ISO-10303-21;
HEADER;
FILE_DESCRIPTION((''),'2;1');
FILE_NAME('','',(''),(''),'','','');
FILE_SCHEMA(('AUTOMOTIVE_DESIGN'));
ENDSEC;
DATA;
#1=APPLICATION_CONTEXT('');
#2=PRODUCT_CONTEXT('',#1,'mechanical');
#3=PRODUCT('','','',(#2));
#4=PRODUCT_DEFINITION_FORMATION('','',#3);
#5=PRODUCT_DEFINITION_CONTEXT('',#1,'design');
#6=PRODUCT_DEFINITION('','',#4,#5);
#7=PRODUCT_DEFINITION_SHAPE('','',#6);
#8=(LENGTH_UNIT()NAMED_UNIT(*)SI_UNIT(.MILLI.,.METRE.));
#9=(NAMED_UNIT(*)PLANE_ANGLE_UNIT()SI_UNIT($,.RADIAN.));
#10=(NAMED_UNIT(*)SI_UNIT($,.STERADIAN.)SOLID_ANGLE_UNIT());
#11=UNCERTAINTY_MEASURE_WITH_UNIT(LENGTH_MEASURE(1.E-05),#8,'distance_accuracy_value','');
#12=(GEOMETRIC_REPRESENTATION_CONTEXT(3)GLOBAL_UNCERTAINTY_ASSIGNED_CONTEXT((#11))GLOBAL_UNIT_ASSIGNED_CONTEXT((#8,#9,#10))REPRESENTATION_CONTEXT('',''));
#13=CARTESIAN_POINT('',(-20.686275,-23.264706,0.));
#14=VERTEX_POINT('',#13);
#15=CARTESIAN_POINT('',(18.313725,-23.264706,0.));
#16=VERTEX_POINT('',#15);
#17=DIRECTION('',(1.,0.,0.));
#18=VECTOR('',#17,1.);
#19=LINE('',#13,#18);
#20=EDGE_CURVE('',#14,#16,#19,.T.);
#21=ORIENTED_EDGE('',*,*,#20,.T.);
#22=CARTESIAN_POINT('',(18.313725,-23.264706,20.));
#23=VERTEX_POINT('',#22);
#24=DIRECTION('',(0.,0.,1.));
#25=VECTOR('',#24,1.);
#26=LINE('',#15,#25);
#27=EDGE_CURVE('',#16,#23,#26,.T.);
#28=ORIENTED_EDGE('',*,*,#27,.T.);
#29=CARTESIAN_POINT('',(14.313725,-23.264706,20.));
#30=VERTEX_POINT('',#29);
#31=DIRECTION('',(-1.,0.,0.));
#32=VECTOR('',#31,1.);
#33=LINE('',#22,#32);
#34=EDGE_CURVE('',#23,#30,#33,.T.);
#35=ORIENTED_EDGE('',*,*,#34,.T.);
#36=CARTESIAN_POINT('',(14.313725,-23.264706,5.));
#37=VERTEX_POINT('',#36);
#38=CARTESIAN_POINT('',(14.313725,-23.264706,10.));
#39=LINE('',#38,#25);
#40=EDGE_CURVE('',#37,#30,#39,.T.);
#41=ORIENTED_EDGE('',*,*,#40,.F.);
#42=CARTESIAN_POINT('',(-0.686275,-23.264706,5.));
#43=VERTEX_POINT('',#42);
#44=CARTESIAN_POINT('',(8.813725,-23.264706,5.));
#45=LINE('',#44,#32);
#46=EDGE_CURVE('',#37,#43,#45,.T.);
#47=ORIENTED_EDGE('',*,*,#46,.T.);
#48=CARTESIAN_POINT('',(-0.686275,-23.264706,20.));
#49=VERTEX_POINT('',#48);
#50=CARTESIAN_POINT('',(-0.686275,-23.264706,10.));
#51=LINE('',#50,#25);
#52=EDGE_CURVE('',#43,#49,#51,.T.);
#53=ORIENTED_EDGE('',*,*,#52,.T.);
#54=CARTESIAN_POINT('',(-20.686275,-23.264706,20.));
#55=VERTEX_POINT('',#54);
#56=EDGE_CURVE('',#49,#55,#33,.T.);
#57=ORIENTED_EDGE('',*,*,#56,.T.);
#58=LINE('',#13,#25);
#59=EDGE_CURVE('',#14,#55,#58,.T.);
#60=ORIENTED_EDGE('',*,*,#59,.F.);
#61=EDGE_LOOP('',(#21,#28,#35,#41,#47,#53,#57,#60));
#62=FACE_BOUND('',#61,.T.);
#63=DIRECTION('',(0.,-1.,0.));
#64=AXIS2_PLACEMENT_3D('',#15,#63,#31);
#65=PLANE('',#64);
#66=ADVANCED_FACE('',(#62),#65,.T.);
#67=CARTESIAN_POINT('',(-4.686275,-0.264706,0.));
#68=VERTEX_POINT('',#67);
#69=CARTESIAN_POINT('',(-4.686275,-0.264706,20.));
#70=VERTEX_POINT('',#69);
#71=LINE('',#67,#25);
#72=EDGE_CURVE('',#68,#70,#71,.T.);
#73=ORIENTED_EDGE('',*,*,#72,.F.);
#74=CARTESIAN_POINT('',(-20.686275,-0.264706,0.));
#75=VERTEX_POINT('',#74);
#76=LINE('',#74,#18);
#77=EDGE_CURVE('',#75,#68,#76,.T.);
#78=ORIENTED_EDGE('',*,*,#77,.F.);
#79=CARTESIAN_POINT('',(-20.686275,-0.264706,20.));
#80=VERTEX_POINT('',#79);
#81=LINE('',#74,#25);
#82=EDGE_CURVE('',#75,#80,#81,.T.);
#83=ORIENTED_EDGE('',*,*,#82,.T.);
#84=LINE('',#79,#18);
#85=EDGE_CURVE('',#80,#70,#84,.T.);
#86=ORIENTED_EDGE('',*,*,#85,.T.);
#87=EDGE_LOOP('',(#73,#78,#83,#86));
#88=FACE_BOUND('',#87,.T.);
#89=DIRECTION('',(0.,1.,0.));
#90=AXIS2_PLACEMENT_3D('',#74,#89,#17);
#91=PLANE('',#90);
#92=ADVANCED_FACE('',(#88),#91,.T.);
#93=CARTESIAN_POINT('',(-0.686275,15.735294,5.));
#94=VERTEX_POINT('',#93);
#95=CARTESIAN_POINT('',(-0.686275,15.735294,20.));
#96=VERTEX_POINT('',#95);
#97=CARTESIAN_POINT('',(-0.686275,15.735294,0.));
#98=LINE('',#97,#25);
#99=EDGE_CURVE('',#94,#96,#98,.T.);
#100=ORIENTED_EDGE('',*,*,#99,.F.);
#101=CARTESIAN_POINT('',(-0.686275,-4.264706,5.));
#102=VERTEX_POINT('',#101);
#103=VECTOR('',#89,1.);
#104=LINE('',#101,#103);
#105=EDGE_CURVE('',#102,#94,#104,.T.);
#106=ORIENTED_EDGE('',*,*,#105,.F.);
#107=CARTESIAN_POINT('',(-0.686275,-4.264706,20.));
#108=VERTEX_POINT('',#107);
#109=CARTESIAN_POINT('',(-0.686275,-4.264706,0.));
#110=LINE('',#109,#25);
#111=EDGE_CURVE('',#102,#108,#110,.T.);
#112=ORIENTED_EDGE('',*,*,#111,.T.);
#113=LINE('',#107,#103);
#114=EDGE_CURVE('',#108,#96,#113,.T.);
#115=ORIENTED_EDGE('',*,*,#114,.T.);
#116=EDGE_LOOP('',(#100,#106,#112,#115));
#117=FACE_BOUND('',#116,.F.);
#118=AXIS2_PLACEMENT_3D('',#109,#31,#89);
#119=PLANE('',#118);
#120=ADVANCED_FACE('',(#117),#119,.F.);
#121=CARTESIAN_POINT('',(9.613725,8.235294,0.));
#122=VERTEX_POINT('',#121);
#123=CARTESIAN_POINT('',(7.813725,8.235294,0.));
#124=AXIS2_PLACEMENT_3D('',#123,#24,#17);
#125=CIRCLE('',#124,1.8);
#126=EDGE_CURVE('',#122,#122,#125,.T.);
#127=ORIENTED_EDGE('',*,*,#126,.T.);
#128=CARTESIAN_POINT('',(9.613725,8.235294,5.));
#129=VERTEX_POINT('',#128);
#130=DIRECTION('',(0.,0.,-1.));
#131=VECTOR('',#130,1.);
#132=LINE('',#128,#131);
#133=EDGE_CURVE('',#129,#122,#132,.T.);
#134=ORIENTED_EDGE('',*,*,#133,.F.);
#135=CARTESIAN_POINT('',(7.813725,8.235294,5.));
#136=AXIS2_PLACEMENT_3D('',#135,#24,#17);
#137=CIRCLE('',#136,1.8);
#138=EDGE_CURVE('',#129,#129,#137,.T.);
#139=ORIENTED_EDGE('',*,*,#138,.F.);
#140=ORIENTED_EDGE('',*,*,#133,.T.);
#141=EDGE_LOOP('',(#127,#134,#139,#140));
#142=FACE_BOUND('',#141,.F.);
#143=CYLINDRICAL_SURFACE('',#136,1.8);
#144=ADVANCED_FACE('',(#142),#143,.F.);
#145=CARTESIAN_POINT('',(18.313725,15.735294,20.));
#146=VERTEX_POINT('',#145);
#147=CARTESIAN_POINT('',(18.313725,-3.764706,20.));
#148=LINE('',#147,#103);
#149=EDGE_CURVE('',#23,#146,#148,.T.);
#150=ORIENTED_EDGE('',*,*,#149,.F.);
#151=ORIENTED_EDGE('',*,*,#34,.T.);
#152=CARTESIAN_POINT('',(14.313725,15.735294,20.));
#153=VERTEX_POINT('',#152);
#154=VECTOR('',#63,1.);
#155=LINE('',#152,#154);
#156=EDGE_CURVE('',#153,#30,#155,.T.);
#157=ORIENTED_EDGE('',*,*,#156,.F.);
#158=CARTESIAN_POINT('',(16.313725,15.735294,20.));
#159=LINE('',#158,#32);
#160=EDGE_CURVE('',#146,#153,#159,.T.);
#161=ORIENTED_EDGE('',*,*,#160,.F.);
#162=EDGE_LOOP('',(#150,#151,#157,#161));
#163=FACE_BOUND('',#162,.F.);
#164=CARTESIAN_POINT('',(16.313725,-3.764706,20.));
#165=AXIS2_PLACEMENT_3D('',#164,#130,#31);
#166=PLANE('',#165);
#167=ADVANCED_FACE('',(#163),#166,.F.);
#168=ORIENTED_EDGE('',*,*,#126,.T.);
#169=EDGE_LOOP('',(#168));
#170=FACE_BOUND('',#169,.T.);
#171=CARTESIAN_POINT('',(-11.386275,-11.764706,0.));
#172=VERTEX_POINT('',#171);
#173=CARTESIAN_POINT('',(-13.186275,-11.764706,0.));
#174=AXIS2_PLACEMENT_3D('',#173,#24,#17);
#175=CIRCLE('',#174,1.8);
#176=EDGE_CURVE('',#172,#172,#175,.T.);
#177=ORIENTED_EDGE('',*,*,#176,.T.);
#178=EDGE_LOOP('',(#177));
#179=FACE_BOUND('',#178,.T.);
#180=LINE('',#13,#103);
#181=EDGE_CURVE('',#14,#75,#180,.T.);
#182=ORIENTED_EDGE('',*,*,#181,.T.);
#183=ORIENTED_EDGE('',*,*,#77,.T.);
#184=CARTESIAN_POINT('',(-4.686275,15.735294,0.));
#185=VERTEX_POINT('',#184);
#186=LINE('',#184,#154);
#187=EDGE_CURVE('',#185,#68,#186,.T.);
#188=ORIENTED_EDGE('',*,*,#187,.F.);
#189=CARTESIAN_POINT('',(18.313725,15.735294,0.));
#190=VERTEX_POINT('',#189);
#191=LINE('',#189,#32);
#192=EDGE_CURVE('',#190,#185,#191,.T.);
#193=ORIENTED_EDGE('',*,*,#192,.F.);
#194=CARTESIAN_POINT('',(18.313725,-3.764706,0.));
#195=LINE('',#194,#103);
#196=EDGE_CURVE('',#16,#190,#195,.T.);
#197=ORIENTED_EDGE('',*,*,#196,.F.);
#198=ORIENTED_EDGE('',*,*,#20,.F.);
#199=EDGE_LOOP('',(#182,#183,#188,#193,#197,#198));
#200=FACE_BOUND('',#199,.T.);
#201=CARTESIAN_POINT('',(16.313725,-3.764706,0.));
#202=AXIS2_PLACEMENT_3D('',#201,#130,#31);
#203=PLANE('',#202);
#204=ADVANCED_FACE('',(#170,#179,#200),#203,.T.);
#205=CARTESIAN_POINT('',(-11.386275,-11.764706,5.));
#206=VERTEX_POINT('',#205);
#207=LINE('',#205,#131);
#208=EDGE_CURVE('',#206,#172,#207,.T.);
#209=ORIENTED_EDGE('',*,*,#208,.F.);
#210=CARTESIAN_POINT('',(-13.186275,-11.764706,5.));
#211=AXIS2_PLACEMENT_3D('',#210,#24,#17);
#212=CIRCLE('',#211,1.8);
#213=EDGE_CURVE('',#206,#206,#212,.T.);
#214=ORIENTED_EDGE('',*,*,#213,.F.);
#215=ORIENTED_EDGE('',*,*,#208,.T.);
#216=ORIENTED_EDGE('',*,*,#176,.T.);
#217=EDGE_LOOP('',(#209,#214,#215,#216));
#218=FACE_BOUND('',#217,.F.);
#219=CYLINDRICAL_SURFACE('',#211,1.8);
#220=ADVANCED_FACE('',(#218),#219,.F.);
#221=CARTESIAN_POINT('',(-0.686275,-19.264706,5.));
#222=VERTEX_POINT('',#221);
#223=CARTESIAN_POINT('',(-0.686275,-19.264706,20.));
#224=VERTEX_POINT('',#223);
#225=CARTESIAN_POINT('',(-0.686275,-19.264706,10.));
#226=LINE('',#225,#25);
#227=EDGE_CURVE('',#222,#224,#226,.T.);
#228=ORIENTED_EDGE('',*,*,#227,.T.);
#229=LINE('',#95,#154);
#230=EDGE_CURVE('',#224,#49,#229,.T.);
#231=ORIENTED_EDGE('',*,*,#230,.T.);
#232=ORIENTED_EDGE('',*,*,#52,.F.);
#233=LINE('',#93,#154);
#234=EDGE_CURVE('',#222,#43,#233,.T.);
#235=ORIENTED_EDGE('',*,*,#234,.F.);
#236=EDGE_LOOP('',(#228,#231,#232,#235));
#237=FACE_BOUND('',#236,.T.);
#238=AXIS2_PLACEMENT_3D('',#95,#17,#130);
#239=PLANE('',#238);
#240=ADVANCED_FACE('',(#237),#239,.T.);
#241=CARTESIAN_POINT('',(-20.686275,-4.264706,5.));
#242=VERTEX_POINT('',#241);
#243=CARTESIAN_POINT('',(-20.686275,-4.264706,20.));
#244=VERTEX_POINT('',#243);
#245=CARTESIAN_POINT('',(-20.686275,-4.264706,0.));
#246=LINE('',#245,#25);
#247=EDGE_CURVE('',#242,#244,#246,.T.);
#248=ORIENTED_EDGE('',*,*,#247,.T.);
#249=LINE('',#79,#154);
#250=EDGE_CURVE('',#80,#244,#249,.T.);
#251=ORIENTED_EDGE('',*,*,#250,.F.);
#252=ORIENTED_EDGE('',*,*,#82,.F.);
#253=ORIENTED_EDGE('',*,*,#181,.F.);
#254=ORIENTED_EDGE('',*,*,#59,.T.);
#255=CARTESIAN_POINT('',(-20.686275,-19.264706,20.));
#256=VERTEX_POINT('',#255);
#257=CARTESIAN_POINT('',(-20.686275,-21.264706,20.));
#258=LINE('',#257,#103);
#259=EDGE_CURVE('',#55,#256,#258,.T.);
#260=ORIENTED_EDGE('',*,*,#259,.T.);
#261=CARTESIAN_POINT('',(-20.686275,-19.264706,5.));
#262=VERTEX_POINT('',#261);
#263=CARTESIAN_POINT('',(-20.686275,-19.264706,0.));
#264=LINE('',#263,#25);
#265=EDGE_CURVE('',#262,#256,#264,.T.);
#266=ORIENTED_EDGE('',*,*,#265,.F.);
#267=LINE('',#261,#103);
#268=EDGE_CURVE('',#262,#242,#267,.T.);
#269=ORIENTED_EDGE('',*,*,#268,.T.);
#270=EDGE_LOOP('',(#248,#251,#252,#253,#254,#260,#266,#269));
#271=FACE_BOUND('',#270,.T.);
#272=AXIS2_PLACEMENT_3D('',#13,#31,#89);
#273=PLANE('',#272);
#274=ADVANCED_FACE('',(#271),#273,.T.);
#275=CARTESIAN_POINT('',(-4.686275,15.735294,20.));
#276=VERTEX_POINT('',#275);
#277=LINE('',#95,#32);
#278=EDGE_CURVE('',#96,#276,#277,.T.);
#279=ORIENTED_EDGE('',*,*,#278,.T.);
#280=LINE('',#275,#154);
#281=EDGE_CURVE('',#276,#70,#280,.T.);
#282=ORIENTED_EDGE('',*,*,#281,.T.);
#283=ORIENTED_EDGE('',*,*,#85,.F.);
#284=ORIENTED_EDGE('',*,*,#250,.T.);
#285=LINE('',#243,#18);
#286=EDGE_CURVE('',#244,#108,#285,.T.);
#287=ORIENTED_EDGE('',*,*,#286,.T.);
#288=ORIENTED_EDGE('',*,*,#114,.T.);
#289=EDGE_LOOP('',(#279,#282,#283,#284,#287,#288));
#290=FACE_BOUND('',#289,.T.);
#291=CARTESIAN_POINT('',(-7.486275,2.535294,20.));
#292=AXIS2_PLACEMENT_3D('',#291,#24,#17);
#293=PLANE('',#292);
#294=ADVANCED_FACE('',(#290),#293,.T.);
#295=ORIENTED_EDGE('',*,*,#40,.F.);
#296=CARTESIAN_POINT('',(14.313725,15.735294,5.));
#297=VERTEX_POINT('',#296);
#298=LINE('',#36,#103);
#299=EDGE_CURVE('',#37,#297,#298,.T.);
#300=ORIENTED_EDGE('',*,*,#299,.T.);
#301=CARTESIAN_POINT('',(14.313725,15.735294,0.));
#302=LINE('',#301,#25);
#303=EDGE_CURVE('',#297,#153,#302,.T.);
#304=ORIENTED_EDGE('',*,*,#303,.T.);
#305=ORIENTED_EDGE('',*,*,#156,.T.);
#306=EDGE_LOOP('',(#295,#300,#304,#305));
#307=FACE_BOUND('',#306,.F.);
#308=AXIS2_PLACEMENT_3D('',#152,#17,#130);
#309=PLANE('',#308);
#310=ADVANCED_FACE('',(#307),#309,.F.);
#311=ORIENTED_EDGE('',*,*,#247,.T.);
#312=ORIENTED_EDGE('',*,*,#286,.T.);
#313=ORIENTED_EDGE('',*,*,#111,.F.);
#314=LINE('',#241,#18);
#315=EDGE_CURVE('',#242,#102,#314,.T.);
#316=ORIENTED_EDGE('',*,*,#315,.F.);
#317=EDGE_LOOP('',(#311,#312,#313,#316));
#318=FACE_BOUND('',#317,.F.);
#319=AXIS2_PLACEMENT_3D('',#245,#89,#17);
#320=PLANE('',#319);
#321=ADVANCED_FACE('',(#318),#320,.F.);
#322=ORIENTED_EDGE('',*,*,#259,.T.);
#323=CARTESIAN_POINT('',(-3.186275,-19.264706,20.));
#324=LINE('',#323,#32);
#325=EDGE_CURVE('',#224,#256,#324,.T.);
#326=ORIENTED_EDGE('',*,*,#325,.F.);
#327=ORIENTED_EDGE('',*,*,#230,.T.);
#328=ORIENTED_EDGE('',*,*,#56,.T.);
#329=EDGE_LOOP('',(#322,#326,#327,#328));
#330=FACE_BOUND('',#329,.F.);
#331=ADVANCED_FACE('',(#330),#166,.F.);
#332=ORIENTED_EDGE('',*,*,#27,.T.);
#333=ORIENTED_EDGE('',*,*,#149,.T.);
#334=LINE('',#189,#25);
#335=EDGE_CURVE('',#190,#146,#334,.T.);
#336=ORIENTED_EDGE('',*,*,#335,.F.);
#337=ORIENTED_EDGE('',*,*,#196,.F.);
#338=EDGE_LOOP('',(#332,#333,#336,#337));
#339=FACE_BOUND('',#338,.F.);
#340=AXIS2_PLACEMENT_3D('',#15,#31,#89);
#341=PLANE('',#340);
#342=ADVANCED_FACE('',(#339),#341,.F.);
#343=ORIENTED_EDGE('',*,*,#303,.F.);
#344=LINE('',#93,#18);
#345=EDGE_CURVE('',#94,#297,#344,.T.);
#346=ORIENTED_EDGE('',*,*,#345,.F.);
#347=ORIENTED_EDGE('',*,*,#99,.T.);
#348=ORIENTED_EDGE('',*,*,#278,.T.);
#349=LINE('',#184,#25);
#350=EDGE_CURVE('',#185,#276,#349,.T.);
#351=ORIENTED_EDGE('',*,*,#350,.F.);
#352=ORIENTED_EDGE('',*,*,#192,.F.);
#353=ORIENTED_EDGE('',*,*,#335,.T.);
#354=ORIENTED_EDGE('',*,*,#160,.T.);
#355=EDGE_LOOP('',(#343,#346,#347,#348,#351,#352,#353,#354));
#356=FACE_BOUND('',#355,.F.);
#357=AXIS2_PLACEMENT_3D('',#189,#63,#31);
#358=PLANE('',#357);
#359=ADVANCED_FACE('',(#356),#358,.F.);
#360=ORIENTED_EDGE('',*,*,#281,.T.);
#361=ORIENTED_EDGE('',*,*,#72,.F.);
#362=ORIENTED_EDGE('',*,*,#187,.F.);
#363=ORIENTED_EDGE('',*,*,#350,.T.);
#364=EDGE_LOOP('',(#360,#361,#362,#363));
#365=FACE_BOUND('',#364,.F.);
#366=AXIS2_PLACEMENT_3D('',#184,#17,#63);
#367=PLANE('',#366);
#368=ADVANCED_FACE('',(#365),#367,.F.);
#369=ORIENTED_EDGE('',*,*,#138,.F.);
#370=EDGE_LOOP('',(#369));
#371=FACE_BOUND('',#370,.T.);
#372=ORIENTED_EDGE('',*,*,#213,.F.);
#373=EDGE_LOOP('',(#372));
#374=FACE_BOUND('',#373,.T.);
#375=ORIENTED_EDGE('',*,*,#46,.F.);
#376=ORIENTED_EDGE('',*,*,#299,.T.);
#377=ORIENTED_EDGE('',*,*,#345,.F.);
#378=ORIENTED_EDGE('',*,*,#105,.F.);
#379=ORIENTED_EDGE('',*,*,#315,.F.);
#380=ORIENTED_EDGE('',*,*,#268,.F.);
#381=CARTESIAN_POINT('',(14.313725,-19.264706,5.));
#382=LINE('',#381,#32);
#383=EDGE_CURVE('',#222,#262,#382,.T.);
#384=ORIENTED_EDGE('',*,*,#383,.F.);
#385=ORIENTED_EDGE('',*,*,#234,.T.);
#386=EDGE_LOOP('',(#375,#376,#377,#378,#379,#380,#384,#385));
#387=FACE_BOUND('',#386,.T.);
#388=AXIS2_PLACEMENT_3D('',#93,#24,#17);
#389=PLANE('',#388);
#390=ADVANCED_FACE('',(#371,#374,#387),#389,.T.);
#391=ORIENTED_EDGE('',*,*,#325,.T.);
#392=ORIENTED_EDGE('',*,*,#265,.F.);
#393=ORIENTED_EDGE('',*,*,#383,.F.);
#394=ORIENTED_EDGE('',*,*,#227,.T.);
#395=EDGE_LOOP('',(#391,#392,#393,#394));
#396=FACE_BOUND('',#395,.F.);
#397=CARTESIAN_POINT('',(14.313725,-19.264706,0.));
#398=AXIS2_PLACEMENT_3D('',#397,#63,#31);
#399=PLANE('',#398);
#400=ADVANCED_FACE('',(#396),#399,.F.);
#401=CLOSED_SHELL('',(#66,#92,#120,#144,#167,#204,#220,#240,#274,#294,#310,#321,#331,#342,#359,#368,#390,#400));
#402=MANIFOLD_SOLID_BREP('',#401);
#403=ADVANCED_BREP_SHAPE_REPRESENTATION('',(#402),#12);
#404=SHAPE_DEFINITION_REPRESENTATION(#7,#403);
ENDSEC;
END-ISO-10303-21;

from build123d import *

# Parameters (mm, degrees)
BOSS_EXTRUDE1_DEPTH = 5
BOSS_EXTRUDE2_DEPTH = 20
SKETCH4_W           = 35
SKETCH4_H           = 4
BOSS_EXTRUDE3_DEPTH = 20
SKETCH6_R           = 1.8
CUT_EXTRUDE3_DEPTH  = 6
SKETCH7_W           = 4
SKETCH7_H           = 39
BOSS_EXTRUDE4_DEPTH = 20
SKETCH8_W           = 15
SKETCH8_H           = 15
CUT_EXTRUDE4_DEPTH  = 40


with BuildPart() as part:
    # Sketch1 → Boss-Extrude1 (new body)
    with BuildSketch(Plane.XY):
        Polygon((-20.68627451, -4.264705882), (-0.68627451, -4.264705882), (-0.68627451, 15.735294118), (14.31372549, 15.735294118), (14.31372549, -4.264705882), (14.31372549, -19.264705882), (-20.68627451, -19.264705882), align=None)
    extrude(amount=BOSS_EXTRUDE1_DEPTH)

    # Sketch2 → Boss-Extrude2 (add)
    with BuildSketch(Plane(origin=(0, 0, 0), x_dir=(-1, 0, 0), z_dir=(0, 0, -1))):
        Polygon((0.68627451, 15.735294118), (4.68627451, 15.735294118), (4.68627451, -0.264705882), (6.079970528, -0.264705882), (20.68627451, -0.264705882), (20.68627451, -4.264705882), (0.68627451, -4.264705882), align=None)
    extrude(amount=-BOSS_EXTRUDE2_DEPTH)

    # Sketch4 → Boss-Extrude3 (add)
    with BuildSketch(Plane(origin=(0, 0, 0), x_dir=(-1, 0, 0), z_dir=(0, 0, -1))):
        with Locations((3.18627451, -21.264705882)):
            Rectangle(SKETCH4_W, SKETCH4_H)
    extrude(amount=-BOSS_EXTRUDE3_DEPTH)

    # Sketch6 → Cut-Extrude3 (cut, through all)
    with BuildSketch(Plane.XY.offset(5)):
        with Locations((7.81372549, 8.235294118)):
            Circle(SKETCH6_R)
        with Locations((-13.18627451, -11.764705882)):
            Circle(SKETCH6_R)
    extrude(amount=-CUT_EXTRUDE3_DEPTH, mode=Mode.SUBTRACT)

    # Sketch7 → Boss-Extrude4 (add)
    with BuildSketch(Plane(origin=(0, 0, 0), x_dir=(-1, 0, 0), z_dir=(0, 0, -1))):
        with Locations((-16.31372549, -3.764705882)):
            Rectangle(SKETCH7_W, SKETCH7_H)
    extrude(amount=-BOSS_EXTRUDE4_DEPTH)

    # Sketch8 → Cut-Extrude4 (cut, through all)
    with BuildSketch(Plane(origin=(0, 15.735294118, 0), x_dir=(1, 0, 0), z_dir=(0, 1, 0))):
        with Locations((6.81372549, -12.5)):
            Rectangle(SKETCH8_W, SKETCH8_H)
    extrude(amount=-CUT_EXTRUDE4_DEPTH, mode=Mode.SUBTRACT)


solid = part.part
